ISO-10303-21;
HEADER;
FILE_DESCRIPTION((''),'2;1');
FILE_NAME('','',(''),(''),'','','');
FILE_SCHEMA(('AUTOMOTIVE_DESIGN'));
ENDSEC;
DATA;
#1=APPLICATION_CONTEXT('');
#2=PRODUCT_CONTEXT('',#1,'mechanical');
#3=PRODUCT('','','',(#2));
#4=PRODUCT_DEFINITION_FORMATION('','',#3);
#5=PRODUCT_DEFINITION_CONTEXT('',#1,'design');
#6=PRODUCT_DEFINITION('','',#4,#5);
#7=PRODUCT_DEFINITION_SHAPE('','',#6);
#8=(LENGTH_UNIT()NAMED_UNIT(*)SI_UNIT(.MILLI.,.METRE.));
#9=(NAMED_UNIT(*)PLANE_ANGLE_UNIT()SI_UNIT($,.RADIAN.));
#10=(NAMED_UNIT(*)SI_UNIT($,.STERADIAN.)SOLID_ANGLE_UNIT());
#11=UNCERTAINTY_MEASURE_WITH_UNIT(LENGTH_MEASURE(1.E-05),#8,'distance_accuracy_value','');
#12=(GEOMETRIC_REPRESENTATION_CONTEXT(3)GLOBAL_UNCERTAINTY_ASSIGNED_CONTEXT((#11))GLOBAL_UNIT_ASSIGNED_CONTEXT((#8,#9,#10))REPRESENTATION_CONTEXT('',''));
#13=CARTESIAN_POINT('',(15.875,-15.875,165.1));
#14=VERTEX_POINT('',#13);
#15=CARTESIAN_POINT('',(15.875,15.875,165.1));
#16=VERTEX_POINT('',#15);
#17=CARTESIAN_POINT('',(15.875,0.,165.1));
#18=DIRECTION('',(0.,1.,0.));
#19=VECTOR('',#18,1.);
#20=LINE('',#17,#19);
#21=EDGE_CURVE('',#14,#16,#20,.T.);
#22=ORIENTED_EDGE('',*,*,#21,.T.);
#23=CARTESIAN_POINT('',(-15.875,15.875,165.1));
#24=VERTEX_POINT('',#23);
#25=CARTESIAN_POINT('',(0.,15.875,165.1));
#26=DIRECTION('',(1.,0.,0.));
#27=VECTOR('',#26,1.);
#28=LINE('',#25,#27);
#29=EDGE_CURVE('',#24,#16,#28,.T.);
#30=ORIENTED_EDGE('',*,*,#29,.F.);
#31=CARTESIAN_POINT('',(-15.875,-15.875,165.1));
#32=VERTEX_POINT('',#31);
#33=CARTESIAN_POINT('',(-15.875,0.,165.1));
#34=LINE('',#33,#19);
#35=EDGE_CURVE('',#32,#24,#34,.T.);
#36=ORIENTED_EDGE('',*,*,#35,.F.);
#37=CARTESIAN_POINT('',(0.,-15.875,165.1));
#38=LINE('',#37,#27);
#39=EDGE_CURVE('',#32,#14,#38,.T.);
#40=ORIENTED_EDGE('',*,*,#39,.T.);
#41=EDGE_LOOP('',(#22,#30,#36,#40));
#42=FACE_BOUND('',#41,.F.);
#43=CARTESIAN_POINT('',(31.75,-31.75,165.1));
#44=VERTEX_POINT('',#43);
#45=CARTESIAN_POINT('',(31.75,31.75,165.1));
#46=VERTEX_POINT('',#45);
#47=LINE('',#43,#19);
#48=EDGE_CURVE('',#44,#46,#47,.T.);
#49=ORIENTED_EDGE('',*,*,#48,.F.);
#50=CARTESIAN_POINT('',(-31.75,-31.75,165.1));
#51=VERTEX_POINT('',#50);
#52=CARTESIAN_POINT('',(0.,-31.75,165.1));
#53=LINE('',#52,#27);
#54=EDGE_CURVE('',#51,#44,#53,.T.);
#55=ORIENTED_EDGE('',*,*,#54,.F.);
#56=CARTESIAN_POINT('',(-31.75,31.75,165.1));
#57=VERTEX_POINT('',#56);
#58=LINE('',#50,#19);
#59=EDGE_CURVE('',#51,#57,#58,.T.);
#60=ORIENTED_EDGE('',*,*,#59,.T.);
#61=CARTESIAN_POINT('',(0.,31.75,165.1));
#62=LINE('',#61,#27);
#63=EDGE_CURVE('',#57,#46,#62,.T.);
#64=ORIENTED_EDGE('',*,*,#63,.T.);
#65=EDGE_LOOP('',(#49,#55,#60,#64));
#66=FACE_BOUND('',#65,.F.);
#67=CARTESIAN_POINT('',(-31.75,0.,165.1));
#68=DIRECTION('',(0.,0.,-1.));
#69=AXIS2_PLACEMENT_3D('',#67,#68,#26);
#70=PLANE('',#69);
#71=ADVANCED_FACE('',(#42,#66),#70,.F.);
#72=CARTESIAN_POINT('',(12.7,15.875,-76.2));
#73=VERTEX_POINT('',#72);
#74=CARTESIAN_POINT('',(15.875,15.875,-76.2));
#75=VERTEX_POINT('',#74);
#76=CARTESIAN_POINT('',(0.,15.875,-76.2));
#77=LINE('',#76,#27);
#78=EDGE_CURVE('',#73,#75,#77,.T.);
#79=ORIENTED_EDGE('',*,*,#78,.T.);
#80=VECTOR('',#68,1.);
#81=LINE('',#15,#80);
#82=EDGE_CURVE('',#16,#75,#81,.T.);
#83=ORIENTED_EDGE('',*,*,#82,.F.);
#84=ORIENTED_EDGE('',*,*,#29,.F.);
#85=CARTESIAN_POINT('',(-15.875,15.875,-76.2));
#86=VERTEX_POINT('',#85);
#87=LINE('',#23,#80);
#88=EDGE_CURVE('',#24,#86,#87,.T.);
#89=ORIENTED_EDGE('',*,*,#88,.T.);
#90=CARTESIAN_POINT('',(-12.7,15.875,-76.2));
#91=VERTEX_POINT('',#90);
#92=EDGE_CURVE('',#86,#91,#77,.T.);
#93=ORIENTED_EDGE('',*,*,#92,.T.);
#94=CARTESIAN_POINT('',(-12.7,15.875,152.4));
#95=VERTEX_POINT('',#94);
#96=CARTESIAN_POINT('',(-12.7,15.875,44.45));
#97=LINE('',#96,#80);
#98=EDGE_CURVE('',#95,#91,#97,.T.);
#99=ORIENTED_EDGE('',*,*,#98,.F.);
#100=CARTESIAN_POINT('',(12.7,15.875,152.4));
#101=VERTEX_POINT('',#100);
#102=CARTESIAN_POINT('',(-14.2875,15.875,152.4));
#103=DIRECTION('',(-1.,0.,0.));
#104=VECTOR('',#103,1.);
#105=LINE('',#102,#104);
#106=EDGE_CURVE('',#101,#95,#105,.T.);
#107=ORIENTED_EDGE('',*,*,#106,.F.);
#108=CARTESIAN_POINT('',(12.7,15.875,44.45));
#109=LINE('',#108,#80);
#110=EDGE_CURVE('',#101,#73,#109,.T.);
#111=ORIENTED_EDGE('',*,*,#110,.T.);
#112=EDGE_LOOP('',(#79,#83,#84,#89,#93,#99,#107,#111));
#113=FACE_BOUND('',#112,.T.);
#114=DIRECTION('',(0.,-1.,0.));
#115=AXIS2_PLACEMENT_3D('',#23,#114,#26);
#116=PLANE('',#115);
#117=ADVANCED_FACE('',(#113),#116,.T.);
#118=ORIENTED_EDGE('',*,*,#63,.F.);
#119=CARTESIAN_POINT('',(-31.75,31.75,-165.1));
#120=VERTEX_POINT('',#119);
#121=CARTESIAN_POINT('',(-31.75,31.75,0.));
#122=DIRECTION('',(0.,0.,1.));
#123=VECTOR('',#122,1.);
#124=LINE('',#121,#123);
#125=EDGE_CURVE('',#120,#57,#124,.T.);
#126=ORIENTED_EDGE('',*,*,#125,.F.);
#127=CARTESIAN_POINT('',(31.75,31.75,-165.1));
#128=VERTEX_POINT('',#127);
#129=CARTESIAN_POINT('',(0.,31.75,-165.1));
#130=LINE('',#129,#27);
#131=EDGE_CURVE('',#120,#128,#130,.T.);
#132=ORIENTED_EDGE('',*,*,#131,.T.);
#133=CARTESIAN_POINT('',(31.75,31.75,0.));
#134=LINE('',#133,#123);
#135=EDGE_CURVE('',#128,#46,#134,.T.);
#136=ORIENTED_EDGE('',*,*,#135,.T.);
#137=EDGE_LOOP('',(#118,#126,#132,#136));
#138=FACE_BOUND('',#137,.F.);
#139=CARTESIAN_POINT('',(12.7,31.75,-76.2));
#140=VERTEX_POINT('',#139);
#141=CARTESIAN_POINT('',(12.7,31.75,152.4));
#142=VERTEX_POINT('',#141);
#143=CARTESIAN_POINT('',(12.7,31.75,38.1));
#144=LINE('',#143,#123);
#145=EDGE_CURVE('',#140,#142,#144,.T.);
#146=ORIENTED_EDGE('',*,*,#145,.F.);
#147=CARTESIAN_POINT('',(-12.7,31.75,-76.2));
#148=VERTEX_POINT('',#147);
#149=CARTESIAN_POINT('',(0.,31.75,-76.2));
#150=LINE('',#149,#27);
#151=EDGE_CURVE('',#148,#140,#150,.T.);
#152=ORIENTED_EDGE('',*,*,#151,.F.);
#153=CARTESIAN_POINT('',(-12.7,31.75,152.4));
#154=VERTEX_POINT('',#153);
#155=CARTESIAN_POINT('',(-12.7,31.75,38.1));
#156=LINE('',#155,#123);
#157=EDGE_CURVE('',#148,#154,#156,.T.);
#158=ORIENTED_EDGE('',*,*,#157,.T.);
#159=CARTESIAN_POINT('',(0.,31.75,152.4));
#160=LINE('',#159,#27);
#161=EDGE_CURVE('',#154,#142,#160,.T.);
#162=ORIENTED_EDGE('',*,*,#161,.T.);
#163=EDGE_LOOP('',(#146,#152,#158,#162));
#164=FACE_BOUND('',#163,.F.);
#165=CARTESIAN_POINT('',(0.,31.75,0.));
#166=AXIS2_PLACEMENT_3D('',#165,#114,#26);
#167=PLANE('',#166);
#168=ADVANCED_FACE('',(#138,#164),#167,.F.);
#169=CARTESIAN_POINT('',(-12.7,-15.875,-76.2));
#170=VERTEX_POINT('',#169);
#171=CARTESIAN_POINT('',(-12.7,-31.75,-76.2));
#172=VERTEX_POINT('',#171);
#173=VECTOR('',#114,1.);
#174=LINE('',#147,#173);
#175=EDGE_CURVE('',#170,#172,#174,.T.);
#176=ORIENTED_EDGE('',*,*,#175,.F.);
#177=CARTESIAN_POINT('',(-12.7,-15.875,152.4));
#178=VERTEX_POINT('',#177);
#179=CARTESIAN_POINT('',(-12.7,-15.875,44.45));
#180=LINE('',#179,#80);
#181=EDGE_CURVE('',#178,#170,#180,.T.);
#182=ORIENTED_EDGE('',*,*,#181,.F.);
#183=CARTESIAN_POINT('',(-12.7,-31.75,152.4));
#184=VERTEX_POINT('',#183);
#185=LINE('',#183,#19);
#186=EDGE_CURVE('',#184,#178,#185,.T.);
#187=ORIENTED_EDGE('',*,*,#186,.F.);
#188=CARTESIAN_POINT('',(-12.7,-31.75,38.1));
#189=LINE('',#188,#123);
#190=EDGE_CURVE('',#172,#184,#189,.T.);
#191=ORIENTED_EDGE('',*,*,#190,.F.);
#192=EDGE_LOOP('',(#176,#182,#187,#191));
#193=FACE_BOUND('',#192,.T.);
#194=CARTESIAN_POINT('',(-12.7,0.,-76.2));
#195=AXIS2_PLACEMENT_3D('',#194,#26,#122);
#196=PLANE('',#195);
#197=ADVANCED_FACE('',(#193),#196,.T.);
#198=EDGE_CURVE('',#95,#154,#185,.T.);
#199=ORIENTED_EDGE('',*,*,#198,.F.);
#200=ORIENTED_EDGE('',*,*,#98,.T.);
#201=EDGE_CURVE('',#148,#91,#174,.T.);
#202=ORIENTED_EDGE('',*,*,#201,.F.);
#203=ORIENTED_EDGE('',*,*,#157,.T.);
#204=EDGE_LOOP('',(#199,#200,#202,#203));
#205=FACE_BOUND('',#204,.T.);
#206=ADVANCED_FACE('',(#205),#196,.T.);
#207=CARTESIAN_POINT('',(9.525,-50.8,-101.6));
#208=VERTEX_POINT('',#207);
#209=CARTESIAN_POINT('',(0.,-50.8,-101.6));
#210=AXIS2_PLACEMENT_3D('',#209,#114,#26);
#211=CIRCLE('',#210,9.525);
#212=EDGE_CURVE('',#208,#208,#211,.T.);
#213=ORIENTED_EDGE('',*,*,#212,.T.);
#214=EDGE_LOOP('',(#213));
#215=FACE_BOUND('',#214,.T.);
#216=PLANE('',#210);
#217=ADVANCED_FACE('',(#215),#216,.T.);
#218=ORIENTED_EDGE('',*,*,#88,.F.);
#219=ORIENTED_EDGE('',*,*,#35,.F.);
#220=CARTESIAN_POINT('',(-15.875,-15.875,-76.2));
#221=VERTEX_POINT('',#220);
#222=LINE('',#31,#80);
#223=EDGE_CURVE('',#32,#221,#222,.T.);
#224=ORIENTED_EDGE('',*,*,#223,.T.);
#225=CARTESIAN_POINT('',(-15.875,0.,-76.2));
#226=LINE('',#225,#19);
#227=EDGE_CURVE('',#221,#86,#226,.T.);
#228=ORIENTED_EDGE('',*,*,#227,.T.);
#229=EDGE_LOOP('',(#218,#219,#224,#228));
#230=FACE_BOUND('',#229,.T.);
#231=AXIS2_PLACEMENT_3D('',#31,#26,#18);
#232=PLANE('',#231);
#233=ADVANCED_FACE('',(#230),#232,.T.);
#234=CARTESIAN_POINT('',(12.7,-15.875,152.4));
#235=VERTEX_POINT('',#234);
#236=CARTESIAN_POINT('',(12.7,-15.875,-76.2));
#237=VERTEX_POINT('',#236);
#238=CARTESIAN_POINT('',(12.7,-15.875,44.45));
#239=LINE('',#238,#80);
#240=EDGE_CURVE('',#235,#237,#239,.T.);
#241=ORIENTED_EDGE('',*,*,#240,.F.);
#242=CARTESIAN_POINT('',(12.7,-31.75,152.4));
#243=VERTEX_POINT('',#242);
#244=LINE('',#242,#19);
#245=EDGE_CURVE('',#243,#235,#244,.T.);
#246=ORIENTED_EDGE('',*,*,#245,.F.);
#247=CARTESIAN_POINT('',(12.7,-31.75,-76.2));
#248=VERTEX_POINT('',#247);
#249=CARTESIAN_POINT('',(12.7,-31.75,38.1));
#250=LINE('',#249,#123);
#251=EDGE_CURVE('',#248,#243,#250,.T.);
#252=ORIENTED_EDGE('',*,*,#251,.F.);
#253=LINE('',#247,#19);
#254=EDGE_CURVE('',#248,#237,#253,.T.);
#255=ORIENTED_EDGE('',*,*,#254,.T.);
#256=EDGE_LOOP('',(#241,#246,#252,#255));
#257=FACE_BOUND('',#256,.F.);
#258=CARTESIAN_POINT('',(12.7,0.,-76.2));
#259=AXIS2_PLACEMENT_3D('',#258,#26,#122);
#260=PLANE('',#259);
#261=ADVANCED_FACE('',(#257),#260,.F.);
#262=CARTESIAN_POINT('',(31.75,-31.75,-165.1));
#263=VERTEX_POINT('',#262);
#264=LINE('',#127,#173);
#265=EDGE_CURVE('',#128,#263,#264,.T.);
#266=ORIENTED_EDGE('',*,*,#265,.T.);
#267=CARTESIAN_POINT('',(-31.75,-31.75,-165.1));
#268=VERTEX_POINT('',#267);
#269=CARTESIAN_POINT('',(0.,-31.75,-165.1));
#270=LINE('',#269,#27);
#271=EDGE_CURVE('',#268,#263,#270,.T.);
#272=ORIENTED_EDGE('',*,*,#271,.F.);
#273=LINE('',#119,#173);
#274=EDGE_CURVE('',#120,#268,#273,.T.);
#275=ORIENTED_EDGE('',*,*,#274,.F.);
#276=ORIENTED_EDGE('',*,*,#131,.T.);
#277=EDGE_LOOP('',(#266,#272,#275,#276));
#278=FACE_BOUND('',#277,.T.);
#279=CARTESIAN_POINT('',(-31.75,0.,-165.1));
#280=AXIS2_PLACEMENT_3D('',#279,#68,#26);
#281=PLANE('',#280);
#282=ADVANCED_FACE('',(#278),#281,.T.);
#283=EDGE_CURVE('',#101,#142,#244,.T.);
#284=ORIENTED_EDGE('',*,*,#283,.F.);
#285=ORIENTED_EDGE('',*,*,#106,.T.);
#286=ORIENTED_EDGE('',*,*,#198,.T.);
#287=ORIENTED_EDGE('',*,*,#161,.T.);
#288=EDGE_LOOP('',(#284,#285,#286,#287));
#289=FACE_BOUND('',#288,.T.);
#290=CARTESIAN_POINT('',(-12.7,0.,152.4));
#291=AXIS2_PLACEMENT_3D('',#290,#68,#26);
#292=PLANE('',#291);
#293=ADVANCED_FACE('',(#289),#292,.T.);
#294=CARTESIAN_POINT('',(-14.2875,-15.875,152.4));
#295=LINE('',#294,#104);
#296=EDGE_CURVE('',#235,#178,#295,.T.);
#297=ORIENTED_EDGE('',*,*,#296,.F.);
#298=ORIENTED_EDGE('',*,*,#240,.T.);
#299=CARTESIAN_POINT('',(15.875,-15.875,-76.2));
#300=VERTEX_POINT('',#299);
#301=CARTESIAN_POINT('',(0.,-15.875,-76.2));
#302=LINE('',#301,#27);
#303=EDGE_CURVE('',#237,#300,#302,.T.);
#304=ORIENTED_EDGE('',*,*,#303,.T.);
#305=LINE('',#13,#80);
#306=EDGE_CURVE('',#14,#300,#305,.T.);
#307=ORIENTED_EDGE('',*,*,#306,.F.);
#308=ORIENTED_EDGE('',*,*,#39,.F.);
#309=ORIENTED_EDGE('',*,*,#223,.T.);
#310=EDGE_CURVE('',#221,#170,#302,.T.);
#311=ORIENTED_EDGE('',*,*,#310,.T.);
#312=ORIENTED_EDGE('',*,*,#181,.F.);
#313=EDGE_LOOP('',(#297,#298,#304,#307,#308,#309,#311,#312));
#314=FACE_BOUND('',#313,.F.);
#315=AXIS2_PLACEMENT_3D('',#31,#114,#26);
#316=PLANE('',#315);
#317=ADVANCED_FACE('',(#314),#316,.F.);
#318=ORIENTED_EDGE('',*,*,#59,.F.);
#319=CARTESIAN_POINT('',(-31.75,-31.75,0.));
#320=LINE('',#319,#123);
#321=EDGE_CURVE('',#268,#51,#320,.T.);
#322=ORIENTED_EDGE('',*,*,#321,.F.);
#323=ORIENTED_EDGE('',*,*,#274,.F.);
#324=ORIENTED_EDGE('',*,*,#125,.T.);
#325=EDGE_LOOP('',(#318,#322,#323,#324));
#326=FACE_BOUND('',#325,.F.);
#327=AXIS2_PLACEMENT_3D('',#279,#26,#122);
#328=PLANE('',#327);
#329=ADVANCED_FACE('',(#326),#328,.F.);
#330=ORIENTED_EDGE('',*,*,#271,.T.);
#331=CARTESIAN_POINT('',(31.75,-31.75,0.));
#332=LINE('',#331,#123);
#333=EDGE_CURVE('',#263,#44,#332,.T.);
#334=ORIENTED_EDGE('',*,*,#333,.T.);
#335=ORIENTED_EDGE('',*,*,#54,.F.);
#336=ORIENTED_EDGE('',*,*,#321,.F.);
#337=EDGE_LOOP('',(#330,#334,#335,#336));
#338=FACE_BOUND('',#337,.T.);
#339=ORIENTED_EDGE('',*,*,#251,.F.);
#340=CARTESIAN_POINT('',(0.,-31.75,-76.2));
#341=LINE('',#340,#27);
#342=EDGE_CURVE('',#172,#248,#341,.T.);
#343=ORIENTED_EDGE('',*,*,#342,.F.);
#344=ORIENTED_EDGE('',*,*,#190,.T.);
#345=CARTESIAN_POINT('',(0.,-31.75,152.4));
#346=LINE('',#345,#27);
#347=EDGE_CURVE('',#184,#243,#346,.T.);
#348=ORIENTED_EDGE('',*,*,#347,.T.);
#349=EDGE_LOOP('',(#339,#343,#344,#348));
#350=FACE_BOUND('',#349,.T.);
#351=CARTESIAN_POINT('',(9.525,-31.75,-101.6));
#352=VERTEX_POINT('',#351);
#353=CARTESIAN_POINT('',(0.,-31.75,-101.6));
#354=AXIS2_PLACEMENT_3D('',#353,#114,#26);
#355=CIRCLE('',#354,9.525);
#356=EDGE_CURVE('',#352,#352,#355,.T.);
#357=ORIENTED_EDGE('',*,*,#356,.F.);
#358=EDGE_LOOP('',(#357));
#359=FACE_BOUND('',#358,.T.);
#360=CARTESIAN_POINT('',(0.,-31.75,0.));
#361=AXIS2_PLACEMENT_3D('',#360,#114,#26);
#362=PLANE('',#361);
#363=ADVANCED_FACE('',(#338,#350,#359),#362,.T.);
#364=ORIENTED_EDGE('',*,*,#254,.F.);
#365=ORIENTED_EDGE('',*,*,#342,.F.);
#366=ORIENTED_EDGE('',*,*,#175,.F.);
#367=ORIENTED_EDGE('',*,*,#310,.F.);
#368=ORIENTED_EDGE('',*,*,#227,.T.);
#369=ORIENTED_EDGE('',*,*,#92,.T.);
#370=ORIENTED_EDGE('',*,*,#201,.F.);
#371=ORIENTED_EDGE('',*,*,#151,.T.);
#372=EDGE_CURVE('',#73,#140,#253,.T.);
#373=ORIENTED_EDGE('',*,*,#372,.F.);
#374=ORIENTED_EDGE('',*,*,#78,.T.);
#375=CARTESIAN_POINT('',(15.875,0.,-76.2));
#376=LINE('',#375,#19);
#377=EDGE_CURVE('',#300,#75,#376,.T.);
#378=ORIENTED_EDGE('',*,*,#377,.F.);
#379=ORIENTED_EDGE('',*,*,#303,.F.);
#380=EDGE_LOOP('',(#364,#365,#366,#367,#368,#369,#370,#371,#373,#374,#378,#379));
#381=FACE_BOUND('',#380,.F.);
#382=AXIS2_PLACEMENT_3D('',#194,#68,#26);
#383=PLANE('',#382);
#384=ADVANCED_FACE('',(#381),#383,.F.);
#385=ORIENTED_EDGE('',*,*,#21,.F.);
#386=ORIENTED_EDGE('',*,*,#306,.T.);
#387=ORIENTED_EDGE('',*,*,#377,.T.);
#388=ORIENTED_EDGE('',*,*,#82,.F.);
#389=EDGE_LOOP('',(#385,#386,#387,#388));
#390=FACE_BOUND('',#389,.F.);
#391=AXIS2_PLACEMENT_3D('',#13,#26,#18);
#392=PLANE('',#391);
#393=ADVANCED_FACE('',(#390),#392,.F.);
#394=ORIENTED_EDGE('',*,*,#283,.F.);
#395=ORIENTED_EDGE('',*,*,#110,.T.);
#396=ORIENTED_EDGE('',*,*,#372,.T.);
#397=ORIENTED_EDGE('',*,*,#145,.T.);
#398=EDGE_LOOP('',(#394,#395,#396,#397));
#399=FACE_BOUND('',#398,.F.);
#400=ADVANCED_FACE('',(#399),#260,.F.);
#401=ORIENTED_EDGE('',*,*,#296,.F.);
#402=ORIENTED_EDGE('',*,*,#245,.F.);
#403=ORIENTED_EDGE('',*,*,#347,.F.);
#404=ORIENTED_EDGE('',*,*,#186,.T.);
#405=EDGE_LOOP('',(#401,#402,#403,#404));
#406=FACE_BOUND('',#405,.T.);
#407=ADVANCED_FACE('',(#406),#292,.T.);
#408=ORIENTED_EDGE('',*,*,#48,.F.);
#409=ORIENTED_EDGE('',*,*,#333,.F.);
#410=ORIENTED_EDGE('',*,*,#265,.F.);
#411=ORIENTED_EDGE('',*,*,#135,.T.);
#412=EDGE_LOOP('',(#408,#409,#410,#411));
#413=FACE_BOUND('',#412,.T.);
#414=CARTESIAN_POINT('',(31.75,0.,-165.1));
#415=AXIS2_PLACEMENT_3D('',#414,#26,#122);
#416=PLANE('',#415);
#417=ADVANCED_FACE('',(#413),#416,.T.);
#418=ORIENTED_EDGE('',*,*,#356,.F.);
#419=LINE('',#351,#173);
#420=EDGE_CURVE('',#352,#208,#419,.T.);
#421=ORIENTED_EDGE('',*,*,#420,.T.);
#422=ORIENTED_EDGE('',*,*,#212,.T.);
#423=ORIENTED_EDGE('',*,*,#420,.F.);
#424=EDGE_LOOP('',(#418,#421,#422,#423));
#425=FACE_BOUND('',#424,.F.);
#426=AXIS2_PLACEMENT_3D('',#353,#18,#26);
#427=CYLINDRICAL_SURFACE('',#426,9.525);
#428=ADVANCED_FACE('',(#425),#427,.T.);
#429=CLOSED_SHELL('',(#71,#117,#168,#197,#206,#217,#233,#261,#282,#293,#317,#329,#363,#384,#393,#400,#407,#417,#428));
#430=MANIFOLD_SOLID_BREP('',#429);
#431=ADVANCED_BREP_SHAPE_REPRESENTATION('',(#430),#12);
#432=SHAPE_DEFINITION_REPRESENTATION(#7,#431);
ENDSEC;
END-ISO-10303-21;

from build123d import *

# Parameters (mm, degrees)
F0_W     = 63.5
F0_H     = 330.2
F0_W_2   = 25.4
F0_H_2   = 228.6
F1_DEPTH = 31.75
F2_W     = 31.75
F2_H     = 31.75
F3_DEPTH = 241.3
F4_R     = 9.525
F5_DEPTH = 19.05


with BuildPart() as f1:
    # F0 (on Front) → F1 (new body, symmetric)
    with BuildSketch(Plane.XZ):
        Rectangle(F0_W, F0_H)
        with Locations((0, 38.1)):
            Rectangle(F0_W_2, F0_H_2, mode=Mode.SUBTRACT)
    extrude(amount=F1_DEPTH, both=True)

    # F2 (on face) → F3 (cut)
    with BuildSketch(Plane.XY.offset(165.1)):
        Rectangle(F2_W, F2_H)
    extrude(amount=-F3_DEPTH, mode=Mode.SUBTRACT)

    # F4 (on face) → F5 (join)
    with BuildSketch(Plane.XZ.offset(31.75)):
        with Locations((0, -101.6)):
            Circle(F4_R)
    extrude(amount=F5_DEPTH)


solid = f1.part
